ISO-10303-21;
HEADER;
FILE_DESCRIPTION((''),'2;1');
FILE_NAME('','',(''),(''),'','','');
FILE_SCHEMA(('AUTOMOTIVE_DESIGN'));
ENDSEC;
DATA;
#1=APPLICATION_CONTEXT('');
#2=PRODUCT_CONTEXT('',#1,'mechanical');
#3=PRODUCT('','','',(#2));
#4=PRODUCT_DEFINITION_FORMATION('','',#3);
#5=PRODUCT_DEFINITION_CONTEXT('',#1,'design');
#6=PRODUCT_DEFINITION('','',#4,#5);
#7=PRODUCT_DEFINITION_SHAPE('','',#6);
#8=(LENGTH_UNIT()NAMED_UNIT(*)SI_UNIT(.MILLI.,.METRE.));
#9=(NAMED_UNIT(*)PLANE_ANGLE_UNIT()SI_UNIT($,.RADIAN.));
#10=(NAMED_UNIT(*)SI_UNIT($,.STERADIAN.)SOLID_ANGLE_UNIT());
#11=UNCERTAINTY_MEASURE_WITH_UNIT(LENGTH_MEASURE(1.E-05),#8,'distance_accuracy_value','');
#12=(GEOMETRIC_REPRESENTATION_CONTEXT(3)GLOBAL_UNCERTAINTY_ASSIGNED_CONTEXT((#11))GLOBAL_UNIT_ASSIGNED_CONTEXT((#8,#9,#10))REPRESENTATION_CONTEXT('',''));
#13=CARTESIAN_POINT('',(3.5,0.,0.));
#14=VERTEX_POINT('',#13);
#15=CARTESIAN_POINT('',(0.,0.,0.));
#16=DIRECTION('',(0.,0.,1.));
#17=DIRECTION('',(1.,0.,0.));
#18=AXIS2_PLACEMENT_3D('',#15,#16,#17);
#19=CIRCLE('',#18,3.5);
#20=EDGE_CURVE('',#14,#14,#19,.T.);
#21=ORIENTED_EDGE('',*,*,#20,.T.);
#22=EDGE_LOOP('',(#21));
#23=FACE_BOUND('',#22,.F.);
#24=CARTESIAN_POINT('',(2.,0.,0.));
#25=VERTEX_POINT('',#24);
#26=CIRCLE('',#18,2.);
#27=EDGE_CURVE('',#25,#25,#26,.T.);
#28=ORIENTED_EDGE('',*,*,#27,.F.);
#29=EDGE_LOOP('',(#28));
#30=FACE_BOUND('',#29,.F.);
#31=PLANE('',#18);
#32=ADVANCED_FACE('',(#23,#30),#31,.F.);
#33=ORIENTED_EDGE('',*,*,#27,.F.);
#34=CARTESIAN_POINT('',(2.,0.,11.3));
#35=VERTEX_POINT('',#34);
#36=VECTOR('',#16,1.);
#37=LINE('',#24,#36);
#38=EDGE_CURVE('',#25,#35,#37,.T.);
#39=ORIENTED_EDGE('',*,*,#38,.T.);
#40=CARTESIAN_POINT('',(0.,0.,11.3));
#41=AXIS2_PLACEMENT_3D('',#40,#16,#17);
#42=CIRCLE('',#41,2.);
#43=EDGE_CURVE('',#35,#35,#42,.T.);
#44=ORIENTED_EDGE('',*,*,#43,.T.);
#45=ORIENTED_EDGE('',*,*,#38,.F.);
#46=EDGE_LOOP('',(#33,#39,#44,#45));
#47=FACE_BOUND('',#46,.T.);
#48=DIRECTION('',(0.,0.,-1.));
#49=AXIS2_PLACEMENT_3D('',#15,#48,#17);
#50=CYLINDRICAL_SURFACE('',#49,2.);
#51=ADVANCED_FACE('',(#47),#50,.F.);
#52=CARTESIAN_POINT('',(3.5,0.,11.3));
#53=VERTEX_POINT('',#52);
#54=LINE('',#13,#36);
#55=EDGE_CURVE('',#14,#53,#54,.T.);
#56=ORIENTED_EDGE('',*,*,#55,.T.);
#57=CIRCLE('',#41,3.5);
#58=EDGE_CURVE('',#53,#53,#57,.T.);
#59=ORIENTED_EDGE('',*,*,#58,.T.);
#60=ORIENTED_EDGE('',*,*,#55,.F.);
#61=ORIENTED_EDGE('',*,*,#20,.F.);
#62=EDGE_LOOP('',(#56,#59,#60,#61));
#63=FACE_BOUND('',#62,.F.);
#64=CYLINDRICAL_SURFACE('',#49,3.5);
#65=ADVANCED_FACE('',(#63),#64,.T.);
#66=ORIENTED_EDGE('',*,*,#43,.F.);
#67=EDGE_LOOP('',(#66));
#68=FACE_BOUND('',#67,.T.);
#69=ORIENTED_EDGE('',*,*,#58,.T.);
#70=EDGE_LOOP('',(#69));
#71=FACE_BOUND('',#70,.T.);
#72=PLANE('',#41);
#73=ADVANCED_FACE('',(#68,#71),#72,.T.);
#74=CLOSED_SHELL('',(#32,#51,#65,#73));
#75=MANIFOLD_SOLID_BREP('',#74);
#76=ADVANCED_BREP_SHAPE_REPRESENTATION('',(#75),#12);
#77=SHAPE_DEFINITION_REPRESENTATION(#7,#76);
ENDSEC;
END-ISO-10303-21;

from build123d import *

# Parameters (mm, degrees)
SKETCH_R   = 3.5
SKETCH_R_2 = 2
PAD_DEPTH  = 11.3


with BuildPart() as part:
    # Sketch → Pad (new body)
    with BuildSketch(Plane.XY):
        Circle(SKETCH_R)
        Circle(SKETCH_R_2, mode=Mode.SUBTRACT)
    extrude(amount=PAD_DEPTH)


solid = part.part
